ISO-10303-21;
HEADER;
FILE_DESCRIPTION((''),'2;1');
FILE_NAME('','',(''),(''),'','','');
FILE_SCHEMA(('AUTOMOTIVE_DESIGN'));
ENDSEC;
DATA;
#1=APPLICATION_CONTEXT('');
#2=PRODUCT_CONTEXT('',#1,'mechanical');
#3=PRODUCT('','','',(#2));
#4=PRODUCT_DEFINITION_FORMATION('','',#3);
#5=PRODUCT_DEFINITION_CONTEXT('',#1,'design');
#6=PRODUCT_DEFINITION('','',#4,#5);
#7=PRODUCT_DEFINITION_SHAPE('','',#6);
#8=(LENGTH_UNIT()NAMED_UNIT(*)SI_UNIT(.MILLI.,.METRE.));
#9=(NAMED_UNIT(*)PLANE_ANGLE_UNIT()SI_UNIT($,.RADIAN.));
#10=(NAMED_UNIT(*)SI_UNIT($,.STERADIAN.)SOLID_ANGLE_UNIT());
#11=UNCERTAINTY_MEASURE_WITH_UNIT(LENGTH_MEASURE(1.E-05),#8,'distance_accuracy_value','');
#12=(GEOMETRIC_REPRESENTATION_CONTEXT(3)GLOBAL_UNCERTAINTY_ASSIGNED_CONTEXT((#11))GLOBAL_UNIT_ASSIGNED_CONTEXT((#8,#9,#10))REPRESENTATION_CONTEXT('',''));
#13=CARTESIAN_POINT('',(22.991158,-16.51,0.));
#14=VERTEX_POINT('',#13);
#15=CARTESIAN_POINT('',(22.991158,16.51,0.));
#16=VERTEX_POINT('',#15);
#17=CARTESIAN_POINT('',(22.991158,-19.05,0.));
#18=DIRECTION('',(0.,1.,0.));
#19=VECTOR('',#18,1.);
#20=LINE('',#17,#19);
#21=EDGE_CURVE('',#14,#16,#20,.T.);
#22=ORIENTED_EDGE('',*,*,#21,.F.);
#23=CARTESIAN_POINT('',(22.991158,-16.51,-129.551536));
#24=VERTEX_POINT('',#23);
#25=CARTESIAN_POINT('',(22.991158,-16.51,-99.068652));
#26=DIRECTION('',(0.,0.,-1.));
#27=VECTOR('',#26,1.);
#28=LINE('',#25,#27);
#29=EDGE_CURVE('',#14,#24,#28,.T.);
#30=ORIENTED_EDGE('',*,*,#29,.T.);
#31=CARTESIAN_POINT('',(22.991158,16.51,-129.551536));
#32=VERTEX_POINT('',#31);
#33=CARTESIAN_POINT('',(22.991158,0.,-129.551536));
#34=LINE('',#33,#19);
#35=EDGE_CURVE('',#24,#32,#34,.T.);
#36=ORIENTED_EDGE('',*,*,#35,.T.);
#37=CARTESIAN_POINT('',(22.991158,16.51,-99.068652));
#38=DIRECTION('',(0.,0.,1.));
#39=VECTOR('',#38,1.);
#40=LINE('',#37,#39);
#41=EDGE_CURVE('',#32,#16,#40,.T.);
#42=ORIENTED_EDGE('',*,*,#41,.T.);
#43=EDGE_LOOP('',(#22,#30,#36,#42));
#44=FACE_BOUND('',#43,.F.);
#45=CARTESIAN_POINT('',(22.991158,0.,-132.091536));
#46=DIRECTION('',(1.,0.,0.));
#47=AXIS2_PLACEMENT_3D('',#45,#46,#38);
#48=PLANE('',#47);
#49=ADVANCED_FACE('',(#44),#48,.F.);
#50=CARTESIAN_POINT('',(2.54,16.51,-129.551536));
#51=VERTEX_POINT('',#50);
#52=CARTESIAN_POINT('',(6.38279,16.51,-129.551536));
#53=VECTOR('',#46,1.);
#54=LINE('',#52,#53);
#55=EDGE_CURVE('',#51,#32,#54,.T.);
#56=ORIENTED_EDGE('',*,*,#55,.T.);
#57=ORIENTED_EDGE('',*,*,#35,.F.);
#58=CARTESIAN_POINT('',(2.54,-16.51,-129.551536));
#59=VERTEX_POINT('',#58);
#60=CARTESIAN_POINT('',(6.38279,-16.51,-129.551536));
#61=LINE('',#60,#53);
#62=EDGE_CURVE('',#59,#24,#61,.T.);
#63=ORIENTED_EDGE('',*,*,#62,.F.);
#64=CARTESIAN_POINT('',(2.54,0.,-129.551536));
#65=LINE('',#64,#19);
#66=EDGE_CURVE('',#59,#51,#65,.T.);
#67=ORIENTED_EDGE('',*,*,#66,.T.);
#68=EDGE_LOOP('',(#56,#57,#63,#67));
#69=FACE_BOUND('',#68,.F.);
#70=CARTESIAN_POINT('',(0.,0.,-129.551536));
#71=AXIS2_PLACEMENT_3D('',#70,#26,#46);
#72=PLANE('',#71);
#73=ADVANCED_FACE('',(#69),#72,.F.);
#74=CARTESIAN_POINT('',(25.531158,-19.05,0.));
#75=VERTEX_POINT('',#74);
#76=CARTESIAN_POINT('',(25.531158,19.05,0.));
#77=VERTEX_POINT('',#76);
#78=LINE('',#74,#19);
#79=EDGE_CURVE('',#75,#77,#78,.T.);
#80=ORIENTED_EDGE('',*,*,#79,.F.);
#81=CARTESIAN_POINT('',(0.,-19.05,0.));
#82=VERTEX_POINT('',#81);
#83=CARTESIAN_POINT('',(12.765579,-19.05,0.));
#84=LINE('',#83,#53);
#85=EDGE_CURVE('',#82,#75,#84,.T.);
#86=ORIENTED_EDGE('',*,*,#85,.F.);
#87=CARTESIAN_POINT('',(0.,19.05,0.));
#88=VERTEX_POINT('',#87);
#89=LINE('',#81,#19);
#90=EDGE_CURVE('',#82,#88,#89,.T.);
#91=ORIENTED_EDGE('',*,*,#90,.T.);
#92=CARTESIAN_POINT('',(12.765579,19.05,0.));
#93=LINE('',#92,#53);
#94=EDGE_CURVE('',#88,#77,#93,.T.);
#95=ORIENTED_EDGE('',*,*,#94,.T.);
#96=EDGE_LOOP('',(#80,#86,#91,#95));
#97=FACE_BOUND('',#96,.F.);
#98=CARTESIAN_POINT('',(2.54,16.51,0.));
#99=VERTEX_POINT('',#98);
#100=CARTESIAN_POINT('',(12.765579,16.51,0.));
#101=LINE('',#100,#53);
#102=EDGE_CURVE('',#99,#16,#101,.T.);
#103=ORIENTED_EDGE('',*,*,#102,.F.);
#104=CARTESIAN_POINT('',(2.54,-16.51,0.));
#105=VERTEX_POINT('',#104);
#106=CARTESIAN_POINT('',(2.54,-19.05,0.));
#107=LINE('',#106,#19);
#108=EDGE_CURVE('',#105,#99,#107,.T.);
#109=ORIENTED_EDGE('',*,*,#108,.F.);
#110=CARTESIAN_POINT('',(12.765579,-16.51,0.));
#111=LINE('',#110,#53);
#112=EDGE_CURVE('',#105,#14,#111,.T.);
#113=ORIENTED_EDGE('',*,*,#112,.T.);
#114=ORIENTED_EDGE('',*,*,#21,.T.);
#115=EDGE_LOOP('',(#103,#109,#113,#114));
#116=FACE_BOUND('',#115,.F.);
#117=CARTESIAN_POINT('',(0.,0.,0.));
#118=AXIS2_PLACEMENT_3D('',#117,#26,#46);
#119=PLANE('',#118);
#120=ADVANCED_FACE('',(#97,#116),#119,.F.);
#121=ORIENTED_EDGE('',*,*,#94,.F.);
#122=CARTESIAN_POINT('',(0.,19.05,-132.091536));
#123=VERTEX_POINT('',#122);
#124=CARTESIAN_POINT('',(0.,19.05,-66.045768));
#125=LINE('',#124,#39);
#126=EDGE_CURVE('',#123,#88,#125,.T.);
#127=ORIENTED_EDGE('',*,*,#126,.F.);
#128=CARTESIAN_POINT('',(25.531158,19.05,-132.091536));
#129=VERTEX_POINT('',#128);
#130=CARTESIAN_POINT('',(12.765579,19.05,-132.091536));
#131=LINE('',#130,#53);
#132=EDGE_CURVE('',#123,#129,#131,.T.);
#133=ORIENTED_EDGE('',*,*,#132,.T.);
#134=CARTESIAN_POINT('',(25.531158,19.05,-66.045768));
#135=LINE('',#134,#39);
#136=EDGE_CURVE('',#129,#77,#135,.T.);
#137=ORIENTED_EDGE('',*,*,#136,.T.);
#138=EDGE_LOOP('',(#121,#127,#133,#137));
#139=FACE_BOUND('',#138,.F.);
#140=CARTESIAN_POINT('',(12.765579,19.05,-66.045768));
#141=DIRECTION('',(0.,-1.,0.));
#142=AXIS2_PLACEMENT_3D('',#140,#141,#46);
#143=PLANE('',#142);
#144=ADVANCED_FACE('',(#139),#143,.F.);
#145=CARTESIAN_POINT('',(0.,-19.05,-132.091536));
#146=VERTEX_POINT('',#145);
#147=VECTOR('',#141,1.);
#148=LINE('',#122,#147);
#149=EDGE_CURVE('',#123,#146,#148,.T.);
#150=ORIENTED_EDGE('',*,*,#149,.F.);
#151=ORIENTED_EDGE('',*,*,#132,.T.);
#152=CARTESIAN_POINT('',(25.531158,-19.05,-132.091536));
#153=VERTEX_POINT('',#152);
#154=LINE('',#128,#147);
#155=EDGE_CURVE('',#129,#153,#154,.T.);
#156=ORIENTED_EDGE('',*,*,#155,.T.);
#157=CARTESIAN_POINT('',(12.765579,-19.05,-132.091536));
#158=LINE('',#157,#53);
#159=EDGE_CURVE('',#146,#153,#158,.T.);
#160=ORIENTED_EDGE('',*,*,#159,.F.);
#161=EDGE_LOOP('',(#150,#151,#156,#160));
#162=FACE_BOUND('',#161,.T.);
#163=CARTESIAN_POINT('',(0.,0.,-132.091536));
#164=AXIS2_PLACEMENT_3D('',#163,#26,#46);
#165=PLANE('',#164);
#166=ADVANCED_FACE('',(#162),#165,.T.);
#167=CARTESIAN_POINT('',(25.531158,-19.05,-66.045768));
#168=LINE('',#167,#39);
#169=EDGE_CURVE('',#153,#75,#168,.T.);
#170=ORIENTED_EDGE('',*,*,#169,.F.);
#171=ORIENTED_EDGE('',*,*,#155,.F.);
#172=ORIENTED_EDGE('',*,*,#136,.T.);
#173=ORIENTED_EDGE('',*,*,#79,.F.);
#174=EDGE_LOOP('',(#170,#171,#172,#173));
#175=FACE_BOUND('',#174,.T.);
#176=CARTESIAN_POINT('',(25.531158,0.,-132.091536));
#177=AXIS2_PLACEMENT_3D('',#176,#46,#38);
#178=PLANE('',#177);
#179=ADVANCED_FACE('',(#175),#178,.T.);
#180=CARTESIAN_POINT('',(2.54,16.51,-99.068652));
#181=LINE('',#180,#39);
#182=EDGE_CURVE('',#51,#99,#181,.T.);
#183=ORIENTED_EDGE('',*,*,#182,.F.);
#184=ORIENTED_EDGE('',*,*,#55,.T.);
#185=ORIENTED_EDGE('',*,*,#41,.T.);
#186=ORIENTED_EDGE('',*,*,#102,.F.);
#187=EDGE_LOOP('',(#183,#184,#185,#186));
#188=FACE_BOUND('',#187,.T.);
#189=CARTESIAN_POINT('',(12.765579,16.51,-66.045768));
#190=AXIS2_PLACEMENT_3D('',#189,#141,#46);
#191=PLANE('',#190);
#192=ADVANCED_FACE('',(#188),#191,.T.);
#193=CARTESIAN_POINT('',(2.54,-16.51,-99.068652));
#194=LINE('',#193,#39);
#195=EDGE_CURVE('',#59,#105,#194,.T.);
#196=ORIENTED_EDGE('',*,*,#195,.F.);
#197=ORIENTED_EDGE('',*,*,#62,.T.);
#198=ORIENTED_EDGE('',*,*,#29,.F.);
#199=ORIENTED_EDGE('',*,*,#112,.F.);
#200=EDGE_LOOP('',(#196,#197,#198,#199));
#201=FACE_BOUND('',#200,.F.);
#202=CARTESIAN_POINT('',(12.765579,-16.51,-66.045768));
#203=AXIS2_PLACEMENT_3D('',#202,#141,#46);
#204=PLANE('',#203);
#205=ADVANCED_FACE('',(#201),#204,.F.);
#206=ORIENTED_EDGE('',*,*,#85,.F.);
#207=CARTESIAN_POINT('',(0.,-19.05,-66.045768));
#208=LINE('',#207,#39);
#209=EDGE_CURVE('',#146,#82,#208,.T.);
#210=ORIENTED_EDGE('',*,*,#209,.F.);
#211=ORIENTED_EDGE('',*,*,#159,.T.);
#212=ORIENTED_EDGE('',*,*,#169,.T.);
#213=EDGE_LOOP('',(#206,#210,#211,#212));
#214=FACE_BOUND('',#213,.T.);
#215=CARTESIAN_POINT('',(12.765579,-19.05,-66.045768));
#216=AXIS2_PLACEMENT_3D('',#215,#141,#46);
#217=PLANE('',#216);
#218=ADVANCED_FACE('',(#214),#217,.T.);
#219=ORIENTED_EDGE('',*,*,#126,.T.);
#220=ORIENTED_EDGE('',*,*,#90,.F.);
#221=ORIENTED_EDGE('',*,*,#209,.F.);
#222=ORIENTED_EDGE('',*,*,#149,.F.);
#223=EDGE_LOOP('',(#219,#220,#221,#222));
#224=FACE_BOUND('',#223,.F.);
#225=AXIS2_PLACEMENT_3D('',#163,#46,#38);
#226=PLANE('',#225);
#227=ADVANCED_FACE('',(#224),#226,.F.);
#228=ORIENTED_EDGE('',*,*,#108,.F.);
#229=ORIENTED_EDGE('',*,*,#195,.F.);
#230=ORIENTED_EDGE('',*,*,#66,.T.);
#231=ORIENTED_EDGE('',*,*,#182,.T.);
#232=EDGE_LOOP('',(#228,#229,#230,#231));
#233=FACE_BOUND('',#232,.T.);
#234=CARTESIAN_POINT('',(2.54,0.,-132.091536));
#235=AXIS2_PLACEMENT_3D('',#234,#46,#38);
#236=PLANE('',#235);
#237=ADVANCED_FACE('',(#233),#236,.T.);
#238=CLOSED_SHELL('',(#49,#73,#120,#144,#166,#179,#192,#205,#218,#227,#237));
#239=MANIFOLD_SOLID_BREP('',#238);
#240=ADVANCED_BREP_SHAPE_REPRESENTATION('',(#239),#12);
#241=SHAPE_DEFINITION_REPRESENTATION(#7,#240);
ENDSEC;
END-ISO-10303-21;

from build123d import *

# Parameters (mm, degrees)
F0_W     = 25.531158
F0_H     = 132.091537
F1_DEPTH = 19.05
F2_T     = -2.54


with BuildPart() as f1:
    # F0 (on Front) → F1 (new body, symmetric)
    with BuildSketch(Plane.XZ):
        with Locations((12.765579, -66.045768)):
            Rectangle(F0_W, F0_H)
    extrude(amount=F1_DEPTH, both=True)

    # F2
    f2_openings = [f1.faces().sort_by_distance(p)[0] for p in [
        (12.765579, 0, 0),
    ]]
    offset(amount=F2_T, openings=f2_openings)


solid = f1.part
